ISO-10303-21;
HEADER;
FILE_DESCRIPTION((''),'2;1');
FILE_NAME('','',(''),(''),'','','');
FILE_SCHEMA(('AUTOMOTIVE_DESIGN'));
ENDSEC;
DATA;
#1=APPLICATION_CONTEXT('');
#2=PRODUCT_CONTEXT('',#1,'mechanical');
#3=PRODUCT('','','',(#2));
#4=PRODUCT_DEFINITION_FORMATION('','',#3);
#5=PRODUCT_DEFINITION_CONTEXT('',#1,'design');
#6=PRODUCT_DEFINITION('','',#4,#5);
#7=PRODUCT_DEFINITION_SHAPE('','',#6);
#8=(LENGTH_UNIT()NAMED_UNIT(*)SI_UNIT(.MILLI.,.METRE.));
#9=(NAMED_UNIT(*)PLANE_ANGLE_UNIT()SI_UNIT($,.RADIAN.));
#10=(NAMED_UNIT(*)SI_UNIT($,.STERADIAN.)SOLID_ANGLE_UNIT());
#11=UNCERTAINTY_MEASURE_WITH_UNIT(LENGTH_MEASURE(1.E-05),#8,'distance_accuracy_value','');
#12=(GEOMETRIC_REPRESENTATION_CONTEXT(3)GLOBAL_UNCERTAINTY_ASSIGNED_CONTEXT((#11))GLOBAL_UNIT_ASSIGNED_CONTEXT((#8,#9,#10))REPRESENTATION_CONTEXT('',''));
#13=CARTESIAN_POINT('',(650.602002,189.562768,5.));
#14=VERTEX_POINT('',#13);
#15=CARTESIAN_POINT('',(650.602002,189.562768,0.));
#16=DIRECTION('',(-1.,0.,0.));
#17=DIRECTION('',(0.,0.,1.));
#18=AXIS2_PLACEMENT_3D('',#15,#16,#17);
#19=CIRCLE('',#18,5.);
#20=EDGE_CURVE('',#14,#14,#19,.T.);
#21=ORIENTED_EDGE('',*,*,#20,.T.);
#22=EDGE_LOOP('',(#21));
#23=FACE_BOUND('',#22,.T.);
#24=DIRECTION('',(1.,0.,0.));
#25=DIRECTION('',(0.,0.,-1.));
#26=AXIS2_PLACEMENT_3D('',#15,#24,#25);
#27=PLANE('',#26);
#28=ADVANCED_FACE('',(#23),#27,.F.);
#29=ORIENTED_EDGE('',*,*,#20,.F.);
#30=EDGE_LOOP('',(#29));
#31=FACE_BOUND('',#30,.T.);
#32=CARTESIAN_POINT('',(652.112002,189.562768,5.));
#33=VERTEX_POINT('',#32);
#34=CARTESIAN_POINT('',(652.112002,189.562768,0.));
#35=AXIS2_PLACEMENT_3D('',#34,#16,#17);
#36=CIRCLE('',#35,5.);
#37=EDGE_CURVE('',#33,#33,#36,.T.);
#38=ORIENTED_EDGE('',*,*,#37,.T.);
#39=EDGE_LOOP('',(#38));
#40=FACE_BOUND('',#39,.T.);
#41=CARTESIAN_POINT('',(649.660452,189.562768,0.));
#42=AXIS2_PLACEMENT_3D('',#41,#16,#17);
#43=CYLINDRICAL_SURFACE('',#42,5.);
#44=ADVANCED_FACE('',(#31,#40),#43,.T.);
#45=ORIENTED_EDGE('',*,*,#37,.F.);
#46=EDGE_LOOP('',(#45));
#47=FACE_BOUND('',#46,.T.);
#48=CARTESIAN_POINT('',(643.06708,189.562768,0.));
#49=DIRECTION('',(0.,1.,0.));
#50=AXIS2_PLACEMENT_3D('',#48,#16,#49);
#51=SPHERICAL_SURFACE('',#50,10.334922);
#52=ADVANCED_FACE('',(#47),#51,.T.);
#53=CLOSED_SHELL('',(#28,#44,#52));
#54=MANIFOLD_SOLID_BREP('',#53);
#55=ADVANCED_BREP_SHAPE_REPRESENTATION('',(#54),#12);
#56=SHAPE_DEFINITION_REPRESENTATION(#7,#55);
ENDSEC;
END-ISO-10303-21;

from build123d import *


with BuildPart() as part:
    # 草图1 → 旋转1 (revolve)
    with BuildSketch(Plane.XY):
        with BuildLine():
            Line((650.602002465, 189.562768487), (650.602002465, 194.562768487))
            Line((650.602002465, 194.562768487), (652.112002465, 194.562768487))
            ThreePointArc((652.112002465, 194.562768487), (653.074307257, 192.144633123), (653.402002465, 189.562768487))
            Line((653.402002465, 189.562768487), (650.602002465, 189.562768487))
        make_face()
    revolve(axis=Axis((649.660451993, 189.562768487, 0), (1, 0, 0)))


solid = part.part
